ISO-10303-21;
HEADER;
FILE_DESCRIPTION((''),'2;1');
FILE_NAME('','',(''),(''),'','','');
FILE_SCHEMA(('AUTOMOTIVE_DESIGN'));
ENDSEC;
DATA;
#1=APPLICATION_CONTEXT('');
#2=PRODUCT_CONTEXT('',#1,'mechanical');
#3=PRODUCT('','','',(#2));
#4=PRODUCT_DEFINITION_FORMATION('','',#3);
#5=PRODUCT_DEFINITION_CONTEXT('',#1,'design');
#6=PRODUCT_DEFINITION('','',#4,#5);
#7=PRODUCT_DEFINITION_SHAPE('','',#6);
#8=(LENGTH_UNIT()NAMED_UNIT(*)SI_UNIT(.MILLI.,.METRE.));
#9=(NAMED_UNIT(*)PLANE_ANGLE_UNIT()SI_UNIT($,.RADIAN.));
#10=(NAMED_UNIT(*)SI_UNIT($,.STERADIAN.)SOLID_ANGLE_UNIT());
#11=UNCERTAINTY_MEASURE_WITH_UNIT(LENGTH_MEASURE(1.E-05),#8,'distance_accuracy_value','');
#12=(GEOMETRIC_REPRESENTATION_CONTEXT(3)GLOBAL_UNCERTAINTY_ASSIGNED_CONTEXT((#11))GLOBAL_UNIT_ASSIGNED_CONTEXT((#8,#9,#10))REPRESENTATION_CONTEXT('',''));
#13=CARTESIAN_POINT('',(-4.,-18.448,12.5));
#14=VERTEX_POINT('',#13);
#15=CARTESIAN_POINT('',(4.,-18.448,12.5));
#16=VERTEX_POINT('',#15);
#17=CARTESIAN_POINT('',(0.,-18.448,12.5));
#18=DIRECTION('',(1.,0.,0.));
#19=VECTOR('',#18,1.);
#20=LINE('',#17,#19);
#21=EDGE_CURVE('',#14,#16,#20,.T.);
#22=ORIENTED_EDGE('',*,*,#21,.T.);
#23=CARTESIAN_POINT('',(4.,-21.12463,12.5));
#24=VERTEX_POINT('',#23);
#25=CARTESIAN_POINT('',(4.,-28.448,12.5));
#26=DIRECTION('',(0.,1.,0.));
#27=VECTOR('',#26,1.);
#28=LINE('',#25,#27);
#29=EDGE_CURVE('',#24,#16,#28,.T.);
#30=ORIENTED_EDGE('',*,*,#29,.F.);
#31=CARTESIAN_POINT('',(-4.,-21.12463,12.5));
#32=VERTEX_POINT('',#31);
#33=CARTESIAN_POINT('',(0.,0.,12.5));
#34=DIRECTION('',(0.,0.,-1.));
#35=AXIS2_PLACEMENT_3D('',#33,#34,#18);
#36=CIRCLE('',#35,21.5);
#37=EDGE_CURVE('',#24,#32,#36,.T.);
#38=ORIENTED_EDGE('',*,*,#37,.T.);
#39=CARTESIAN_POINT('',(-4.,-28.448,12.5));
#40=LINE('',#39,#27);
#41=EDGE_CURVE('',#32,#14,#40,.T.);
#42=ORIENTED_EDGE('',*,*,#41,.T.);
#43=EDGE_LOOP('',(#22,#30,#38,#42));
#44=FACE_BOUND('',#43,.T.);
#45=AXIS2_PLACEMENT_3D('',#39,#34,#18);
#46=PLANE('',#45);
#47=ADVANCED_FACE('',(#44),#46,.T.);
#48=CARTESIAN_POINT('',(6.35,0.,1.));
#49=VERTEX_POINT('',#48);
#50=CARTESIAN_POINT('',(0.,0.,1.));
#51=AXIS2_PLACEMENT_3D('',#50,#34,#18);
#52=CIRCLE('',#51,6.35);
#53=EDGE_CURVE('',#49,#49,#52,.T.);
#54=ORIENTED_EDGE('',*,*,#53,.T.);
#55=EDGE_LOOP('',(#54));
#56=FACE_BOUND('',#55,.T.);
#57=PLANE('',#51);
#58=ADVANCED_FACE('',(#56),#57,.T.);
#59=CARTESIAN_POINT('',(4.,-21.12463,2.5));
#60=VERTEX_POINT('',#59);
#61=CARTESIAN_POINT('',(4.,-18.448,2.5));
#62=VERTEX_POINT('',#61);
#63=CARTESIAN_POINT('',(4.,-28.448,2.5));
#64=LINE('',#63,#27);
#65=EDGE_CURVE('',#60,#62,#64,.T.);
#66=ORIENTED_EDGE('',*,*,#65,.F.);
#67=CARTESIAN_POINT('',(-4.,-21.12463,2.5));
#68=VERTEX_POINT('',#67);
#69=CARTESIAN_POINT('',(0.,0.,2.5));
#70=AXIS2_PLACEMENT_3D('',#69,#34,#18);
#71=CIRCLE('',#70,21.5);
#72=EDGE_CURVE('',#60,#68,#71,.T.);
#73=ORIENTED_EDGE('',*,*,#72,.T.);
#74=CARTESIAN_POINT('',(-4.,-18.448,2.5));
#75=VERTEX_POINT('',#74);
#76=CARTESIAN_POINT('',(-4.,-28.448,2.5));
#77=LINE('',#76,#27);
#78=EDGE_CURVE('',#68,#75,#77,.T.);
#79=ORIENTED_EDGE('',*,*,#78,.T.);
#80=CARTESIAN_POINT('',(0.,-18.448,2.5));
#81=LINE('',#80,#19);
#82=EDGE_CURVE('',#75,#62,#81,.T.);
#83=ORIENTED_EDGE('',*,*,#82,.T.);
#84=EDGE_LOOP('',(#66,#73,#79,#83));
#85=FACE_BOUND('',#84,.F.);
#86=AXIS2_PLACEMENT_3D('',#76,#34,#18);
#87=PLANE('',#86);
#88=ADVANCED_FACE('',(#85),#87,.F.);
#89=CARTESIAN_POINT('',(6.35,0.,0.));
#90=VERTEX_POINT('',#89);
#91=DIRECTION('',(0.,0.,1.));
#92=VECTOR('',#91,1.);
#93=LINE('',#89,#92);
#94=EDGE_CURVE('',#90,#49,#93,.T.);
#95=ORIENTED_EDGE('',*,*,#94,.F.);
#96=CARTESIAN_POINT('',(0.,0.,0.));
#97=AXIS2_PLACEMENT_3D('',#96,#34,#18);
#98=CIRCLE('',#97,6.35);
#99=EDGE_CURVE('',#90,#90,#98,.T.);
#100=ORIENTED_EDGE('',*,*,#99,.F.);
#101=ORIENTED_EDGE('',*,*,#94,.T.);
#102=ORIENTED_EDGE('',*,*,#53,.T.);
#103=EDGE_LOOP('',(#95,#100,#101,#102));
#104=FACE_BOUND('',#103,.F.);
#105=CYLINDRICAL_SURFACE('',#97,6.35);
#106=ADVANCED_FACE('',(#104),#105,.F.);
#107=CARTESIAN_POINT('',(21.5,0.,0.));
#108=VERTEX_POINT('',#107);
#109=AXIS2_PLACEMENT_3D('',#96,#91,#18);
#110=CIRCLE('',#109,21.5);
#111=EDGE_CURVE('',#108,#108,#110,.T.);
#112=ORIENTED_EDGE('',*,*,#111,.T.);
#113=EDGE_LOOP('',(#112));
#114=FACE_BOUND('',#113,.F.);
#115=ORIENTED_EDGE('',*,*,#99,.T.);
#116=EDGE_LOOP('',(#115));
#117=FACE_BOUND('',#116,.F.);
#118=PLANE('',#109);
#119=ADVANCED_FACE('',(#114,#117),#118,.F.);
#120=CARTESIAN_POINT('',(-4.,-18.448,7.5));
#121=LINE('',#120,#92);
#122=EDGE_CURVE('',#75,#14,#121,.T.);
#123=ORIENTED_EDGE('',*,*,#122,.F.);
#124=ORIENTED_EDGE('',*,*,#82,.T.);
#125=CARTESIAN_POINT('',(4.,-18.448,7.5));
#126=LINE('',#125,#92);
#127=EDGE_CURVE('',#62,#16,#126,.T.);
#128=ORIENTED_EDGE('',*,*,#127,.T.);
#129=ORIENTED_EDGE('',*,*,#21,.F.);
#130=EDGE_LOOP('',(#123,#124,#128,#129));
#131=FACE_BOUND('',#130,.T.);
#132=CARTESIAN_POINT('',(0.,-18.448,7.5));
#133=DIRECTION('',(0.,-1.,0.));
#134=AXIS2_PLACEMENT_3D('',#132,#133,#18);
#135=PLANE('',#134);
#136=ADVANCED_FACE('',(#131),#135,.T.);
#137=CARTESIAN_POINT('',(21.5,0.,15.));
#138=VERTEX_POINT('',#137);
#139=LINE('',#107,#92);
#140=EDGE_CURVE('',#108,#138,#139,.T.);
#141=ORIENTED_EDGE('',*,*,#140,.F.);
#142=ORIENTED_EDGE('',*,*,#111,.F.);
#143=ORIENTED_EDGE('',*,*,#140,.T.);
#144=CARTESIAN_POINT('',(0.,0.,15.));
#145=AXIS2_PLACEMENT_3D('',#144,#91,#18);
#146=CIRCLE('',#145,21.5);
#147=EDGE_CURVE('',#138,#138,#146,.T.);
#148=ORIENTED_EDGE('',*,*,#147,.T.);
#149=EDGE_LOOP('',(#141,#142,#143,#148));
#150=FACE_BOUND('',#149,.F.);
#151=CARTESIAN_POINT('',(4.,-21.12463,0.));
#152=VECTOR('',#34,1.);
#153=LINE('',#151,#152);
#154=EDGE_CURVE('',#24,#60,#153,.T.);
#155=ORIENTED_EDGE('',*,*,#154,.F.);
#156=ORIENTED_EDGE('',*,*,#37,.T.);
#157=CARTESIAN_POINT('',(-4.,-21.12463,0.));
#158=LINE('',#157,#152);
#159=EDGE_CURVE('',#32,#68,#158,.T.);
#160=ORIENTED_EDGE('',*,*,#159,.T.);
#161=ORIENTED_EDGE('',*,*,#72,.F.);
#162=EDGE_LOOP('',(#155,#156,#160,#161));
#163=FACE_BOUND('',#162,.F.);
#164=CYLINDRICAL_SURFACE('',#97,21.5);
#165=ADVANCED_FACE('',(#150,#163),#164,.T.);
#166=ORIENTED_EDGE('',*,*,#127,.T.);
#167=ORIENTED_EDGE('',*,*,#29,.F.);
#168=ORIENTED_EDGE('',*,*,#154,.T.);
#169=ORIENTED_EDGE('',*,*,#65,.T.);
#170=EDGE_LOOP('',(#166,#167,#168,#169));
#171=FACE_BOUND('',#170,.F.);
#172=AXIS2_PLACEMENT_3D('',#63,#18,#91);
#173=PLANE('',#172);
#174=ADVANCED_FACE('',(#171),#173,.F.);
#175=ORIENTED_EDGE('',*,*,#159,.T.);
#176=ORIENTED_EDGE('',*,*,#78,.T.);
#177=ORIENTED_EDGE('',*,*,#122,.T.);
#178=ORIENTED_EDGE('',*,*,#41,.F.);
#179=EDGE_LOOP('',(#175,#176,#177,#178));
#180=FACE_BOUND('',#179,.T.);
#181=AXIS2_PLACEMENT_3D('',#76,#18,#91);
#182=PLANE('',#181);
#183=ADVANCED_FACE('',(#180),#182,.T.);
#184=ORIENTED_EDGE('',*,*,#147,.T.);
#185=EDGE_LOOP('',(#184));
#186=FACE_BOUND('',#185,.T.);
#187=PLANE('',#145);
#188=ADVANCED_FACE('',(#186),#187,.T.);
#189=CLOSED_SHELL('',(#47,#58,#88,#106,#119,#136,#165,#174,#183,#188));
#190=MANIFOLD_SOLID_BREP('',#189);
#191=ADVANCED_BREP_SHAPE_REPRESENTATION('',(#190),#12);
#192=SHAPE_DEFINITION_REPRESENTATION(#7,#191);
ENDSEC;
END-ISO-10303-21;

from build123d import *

# Parameters (mm, degrees)
F0_R     = 21.5
F1_DEPTH = 15
F3_W     = 8
F3_H     = 10
F4_DEPTH = 10
F5_R     = 6.35
F6_DEPTH = 1


with BuildPart() as f1:
    # F0 (on Top) → F1 (new body)
    with BuildSketch(Plane.XY):
        Circle(F0_R)
    extrude(amount=F1_DEPTH)

    # F3 (on offset) → F4 (cut)
    with BuildSketch(Plane.XZ.offset(28.448)):
        with Locations((0, 7.5)):
            Rectangle(F3_W, F3_H)
    extrude(amount=-F4_DEPTH, mode=Mode.SUBTRACT)

    # F5 (on face) → F6 (cut)
    with BuildSketch(Plane(origin=(0, 0, 0), x_dir=(1, 0, 0), z_dir=(0, 0, -1))):
        Circle(F5_R)
    extrude(amount=-F6_DEPTH, mode=Mode.SUBTRACT)


solid = f1.part
